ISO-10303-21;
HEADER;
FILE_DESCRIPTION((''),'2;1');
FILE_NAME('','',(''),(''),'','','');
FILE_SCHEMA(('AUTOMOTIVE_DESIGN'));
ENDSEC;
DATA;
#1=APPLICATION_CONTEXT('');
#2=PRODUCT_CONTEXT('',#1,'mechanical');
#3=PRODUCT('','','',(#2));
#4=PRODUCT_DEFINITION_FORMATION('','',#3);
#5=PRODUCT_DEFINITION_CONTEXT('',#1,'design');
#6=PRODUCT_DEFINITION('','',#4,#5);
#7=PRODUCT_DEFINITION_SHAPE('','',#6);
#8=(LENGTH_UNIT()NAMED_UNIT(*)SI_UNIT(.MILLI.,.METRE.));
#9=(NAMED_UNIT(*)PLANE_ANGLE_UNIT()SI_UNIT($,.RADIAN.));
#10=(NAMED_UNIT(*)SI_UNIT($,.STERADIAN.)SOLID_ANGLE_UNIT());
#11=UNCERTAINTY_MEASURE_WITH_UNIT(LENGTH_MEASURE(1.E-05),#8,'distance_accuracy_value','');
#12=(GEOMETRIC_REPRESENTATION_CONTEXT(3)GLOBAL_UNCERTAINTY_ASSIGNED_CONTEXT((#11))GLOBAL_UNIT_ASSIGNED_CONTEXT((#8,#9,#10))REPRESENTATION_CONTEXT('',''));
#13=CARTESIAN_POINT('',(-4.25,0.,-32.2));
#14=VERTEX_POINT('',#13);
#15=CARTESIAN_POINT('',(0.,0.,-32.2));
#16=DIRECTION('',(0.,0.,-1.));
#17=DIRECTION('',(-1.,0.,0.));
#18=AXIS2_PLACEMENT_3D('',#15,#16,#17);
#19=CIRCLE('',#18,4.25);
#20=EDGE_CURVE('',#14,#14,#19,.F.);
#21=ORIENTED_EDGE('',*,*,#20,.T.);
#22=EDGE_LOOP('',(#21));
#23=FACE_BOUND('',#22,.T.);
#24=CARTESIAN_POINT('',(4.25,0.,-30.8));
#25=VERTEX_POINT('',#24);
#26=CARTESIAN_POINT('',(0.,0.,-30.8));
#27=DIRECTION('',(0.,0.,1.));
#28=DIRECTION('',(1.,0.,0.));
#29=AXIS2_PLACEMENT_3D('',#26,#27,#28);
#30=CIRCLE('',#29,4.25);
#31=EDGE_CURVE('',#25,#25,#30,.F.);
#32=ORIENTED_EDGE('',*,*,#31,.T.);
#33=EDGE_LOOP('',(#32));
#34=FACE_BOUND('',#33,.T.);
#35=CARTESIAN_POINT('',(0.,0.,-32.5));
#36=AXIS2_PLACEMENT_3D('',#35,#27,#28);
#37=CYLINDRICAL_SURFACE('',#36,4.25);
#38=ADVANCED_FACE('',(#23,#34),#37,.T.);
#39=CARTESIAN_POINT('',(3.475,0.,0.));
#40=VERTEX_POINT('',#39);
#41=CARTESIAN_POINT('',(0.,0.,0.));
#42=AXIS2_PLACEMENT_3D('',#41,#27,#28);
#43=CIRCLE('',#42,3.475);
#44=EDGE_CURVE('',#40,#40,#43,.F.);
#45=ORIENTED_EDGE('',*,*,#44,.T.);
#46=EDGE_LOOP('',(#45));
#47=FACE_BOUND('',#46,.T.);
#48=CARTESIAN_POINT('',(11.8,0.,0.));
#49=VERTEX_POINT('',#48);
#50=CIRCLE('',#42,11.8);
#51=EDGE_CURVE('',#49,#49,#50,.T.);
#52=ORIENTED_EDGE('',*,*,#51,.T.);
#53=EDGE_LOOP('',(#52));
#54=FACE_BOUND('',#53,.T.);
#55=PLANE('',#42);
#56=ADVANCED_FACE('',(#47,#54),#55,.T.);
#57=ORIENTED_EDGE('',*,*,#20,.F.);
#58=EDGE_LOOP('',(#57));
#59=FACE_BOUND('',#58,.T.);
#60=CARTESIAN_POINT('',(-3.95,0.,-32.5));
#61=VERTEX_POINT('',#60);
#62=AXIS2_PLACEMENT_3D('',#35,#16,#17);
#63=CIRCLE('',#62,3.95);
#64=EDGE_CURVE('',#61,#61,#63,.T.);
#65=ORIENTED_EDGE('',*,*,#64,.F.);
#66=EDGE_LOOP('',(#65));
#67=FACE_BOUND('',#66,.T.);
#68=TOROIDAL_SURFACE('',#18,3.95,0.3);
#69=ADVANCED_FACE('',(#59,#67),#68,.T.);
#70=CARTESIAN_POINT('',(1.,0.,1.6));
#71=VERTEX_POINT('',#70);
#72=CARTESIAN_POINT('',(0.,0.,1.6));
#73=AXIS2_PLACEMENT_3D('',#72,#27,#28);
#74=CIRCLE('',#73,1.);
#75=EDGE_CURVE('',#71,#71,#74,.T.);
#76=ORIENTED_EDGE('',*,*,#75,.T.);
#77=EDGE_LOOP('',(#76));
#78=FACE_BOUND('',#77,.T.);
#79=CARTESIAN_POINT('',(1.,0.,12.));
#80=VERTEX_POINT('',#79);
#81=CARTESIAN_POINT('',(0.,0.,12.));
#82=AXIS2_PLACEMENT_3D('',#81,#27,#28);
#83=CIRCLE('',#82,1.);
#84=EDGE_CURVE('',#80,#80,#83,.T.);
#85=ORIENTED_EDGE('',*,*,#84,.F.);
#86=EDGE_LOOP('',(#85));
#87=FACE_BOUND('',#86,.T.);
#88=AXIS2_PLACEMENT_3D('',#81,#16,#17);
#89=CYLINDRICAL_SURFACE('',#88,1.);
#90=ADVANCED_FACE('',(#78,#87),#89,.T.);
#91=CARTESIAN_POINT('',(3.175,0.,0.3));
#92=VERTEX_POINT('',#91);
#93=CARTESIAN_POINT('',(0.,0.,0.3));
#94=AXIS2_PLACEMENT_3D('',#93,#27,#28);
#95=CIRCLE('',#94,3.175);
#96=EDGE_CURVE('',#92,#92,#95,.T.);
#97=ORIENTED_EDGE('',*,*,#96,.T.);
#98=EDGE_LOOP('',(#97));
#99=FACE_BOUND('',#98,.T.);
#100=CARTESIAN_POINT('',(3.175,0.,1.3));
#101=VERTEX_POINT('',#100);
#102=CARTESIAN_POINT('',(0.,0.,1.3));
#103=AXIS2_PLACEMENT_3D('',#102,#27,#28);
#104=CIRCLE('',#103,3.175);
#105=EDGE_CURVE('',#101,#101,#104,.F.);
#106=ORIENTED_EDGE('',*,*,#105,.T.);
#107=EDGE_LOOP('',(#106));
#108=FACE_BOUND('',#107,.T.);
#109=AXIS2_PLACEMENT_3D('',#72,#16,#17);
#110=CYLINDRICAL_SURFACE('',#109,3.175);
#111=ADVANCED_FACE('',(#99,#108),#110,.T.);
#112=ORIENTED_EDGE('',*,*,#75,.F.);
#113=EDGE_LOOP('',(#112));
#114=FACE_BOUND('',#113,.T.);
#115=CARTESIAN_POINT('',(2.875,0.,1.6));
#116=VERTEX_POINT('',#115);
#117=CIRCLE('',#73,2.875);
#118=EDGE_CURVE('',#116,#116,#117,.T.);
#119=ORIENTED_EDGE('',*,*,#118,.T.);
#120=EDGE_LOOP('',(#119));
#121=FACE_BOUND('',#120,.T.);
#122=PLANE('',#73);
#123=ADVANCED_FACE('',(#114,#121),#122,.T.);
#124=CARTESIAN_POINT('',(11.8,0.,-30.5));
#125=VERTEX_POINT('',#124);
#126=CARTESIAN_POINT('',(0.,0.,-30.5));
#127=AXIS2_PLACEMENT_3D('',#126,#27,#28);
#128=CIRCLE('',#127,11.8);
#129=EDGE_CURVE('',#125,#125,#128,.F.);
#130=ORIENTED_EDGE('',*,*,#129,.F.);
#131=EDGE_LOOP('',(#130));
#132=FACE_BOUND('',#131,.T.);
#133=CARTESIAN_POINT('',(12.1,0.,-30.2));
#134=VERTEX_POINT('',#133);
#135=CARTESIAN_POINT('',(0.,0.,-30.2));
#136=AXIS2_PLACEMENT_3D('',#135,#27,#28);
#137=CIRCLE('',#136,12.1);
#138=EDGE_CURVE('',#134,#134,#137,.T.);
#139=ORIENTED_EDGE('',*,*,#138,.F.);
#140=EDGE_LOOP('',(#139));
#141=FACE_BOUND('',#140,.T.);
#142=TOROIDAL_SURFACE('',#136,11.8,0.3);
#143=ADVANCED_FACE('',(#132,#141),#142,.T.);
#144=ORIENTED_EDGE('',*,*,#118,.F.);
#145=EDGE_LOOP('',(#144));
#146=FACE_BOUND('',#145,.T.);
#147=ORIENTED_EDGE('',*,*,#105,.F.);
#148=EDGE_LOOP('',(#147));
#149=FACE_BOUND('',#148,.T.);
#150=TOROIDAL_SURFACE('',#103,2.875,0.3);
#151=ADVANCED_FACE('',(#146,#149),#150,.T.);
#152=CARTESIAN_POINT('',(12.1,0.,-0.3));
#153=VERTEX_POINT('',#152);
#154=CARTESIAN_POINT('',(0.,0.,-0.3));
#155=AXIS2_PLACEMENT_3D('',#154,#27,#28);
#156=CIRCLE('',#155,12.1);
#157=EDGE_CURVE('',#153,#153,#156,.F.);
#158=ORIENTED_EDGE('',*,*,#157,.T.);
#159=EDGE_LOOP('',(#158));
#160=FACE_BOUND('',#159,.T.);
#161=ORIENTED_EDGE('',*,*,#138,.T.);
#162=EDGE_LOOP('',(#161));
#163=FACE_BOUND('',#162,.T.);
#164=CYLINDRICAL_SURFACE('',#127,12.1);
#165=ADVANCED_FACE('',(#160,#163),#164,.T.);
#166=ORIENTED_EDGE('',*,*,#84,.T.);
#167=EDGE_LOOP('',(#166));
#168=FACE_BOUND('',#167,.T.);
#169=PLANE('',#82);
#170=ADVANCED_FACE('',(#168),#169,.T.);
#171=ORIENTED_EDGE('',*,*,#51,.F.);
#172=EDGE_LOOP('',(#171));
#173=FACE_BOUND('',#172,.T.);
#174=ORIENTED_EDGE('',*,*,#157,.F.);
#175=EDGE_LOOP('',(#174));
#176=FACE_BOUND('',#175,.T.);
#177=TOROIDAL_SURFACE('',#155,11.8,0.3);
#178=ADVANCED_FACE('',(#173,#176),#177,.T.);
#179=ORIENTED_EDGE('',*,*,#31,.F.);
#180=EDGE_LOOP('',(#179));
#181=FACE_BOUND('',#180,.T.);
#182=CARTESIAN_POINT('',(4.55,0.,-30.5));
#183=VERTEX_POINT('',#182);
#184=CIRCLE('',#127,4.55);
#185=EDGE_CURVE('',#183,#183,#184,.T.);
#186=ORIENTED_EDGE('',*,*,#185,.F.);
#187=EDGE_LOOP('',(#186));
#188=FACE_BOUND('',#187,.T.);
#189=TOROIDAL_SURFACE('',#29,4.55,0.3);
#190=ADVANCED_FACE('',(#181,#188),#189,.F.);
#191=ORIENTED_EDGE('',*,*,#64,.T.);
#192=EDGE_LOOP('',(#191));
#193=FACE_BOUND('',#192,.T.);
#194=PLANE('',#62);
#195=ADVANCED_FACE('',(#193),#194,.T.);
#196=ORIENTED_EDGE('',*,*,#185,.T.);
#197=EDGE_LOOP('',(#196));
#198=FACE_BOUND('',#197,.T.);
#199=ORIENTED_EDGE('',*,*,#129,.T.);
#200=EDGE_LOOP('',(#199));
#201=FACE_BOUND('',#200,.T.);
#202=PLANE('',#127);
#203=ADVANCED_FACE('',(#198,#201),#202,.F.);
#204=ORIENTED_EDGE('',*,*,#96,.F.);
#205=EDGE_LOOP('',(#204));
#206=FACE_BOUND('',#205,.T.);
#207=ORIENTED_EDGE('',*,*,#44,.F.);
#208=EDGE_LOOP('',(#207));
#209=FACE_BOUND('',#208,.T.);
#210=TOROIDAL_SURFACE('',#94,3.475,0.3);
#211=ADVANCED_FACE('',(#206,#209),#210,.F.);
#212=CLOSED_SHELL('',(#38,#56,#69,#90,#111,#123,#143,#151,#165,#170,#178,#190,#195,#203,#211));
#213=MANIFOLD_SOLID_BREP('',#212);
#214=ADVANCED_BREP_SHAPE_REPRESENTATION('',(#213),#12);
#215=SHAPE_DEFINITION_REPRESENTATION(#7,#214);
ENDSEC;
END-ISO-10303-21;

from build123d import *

# Parameters (mm, degrees)
SKETCH1_R           = 12.1
BOSS_EXTRUDE1_DEPTH = 30.5
SKETCH3_R           = 3.175
BOSS_EXTRUDE2_DEPTH = 1.6
SKETCH4_R           = 1
BOSS_EXTRUDE3_DEPTH = 10.4
SKETCH5_R           = 4.25
BOSS_EXTRUDE4_DEPTH = 2
FILLET1_R           = 0.3
FILLET2_R           = 0.3


with BuildPart() as part:
    # Sketch1 → Boss-Extrude1 (new body)
    with BuildSketch(Plane.XY):
        Circle(SKETCH1_R)
    extrude(amount=-BOSS_EXTRUDE1_DEPTH)

    # Sketch3 → Boss-Extrude2 (add)
    with BuildSketch(Plane.XY):
        Circle(SKETCH3_R)
    extrude(amount=BOSS_EXTRUDE2_DEPTH)

    # Sketch4 → Boss-Extrude3 (add)
    with BuildSketch(Plane.XY.offset(1.6)):
        Circle(SKETCH4_R)
    extrude(amount=BOSS_EXTRUDE3_DEPTH)

    # Sketch5 → Boss-Extrude4 (add)
    with BuildSketch(Plane(origin=(0, 0, -30.5), x_dir=(-1, 0, 0), z_dir=(0, 0, -1))):
        Circle(SKETCH5_R)
    extrude(amount=BOSS_EXTRUDE4_DEPTH)

    # Fillet1
    fillet1_edges = [part.edges().sort_by_distance(p)[0] for p in [
        (-3.175, 0, 0),
    ]]
    fillet(fillet1_edges, radius=FILLET1_R)

    # Fillet2
    fillet2_edges = [part.edges().sort_by_distance(p)[0] for p in [
        (4.25, 0, -30.5),
        (4.25, 0, -32.5),
        (-12.1, 0, 0),
        (-12.1, 0, -30.5),
        (-3.175, 0, 1.6),
    ]]
    fillet(fillet2_edges, radius=FILLET2_R)


solid = part.part
